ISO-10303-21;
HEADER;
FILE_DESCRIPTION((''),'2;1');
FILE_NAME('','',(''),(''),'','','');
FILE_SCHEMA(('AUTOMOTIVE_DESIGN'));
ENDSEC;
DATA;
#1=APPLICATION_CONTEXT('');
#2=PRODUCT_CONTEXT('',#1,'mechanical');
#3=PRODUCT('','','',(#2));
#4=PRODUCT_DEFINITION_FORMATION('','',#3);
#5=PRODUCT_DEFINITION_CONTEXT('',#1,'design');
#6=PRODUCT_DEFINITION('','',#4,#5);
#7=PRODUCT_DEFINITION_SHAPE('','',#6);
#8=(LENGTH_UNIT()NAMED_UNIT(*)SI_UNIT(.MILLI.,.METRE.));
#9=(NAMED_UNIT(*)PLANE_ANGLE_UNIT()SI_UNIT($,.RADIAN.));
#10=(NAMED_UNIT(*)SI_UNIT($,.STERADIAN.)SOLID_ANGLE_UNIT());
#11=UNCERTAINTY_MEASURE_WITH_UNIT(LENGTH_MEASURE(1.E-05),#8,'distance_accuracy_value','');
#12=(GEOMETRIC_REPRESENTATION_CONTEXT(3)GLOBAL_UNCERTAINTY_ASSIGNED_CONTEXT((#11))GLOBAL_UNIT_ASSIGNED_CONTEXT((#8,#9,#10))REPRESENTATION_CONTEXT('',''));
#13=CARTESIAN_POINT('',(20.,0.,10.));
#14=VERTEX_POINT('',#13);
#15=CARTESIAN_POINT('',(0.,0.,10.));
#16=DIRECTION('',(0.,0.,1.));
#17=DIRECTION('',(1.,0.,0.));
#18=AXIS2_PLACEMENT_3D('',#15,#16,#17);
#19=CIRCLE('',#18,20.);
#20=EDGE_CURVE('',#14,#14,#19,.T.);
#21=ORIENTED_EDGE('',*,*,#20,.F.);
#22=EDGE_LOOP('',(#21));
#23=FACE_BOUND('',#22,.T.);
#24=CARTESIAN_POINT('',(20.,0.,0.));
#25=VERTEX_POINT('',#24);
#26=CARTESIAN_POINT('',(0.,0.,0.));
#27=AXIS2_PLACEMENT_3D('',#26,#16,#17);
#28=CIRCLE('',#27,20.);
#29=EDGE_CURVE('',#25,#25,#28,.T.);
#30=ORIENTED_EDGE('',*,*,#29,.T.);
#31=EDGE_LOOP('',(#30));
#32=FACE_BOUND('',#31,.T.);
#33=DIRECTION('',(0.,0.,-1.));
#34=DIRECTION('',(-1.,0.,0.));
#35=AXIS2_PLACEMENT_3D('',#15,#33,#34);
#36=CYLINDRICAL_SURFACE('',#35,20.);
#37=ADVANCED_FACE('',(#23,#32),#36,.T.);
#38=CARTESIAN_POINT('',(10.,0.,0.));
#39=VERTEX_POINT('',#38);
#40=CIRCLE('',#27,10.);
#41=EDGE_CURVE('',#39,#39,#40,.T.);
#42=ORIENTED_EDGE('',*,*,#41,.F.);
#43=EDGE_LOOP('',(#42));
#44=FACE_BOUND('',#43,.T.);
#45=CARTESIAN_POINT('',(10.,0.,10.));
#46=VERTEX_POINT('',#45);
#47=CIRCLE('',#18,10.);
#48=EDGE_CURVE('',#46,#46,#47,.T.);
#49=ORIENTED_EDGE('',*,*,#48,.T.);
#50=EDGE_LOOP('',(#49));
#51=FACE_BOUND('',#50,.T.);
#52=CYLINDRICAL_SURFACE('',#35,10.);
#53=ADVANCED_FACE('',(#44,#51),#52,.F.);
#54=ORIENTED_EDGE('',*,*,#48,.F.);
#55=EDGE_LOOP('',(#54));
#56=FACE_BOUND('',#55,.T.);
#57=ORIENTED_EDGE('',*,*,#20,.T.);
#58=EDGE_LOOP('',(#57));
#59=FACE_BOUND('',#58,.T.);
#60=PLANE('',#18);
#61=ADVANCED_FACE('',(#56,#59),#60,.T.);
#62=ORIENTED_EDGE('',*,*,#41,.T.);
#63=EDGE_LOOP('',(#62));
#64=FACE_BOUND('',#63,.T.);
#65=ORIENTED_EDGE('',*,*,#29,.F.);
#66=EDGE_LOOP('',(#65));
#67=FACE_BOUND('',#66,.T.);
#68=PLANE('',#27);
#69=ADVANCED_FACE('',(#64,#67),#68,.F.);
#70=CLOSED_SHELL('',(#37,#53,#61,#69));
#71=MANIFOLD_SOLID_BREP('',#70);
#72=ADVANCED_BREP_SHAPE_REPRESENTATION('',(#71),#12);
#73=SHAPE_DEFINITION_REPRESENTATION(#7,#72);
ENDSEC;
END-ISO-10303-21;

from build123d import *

# Parameters (mm, degrees)
SKETCH_1_R      = 20
SKETCH_1_R_2    = 10
EXTRUDE_1_DEPTH = 10


with BuildPart() as part:
    # 草图1 → 凸台-拉伸1 (new body)
    with BuildSketch(Plane.XY):
        Circle(SKETCH_1_R)
        Circle(SKETCH_1_R_2, mode=Mode.SUBTRACT)
    extrude(amount=EXTRUDE_1_DEPTH)


solid = part.part
